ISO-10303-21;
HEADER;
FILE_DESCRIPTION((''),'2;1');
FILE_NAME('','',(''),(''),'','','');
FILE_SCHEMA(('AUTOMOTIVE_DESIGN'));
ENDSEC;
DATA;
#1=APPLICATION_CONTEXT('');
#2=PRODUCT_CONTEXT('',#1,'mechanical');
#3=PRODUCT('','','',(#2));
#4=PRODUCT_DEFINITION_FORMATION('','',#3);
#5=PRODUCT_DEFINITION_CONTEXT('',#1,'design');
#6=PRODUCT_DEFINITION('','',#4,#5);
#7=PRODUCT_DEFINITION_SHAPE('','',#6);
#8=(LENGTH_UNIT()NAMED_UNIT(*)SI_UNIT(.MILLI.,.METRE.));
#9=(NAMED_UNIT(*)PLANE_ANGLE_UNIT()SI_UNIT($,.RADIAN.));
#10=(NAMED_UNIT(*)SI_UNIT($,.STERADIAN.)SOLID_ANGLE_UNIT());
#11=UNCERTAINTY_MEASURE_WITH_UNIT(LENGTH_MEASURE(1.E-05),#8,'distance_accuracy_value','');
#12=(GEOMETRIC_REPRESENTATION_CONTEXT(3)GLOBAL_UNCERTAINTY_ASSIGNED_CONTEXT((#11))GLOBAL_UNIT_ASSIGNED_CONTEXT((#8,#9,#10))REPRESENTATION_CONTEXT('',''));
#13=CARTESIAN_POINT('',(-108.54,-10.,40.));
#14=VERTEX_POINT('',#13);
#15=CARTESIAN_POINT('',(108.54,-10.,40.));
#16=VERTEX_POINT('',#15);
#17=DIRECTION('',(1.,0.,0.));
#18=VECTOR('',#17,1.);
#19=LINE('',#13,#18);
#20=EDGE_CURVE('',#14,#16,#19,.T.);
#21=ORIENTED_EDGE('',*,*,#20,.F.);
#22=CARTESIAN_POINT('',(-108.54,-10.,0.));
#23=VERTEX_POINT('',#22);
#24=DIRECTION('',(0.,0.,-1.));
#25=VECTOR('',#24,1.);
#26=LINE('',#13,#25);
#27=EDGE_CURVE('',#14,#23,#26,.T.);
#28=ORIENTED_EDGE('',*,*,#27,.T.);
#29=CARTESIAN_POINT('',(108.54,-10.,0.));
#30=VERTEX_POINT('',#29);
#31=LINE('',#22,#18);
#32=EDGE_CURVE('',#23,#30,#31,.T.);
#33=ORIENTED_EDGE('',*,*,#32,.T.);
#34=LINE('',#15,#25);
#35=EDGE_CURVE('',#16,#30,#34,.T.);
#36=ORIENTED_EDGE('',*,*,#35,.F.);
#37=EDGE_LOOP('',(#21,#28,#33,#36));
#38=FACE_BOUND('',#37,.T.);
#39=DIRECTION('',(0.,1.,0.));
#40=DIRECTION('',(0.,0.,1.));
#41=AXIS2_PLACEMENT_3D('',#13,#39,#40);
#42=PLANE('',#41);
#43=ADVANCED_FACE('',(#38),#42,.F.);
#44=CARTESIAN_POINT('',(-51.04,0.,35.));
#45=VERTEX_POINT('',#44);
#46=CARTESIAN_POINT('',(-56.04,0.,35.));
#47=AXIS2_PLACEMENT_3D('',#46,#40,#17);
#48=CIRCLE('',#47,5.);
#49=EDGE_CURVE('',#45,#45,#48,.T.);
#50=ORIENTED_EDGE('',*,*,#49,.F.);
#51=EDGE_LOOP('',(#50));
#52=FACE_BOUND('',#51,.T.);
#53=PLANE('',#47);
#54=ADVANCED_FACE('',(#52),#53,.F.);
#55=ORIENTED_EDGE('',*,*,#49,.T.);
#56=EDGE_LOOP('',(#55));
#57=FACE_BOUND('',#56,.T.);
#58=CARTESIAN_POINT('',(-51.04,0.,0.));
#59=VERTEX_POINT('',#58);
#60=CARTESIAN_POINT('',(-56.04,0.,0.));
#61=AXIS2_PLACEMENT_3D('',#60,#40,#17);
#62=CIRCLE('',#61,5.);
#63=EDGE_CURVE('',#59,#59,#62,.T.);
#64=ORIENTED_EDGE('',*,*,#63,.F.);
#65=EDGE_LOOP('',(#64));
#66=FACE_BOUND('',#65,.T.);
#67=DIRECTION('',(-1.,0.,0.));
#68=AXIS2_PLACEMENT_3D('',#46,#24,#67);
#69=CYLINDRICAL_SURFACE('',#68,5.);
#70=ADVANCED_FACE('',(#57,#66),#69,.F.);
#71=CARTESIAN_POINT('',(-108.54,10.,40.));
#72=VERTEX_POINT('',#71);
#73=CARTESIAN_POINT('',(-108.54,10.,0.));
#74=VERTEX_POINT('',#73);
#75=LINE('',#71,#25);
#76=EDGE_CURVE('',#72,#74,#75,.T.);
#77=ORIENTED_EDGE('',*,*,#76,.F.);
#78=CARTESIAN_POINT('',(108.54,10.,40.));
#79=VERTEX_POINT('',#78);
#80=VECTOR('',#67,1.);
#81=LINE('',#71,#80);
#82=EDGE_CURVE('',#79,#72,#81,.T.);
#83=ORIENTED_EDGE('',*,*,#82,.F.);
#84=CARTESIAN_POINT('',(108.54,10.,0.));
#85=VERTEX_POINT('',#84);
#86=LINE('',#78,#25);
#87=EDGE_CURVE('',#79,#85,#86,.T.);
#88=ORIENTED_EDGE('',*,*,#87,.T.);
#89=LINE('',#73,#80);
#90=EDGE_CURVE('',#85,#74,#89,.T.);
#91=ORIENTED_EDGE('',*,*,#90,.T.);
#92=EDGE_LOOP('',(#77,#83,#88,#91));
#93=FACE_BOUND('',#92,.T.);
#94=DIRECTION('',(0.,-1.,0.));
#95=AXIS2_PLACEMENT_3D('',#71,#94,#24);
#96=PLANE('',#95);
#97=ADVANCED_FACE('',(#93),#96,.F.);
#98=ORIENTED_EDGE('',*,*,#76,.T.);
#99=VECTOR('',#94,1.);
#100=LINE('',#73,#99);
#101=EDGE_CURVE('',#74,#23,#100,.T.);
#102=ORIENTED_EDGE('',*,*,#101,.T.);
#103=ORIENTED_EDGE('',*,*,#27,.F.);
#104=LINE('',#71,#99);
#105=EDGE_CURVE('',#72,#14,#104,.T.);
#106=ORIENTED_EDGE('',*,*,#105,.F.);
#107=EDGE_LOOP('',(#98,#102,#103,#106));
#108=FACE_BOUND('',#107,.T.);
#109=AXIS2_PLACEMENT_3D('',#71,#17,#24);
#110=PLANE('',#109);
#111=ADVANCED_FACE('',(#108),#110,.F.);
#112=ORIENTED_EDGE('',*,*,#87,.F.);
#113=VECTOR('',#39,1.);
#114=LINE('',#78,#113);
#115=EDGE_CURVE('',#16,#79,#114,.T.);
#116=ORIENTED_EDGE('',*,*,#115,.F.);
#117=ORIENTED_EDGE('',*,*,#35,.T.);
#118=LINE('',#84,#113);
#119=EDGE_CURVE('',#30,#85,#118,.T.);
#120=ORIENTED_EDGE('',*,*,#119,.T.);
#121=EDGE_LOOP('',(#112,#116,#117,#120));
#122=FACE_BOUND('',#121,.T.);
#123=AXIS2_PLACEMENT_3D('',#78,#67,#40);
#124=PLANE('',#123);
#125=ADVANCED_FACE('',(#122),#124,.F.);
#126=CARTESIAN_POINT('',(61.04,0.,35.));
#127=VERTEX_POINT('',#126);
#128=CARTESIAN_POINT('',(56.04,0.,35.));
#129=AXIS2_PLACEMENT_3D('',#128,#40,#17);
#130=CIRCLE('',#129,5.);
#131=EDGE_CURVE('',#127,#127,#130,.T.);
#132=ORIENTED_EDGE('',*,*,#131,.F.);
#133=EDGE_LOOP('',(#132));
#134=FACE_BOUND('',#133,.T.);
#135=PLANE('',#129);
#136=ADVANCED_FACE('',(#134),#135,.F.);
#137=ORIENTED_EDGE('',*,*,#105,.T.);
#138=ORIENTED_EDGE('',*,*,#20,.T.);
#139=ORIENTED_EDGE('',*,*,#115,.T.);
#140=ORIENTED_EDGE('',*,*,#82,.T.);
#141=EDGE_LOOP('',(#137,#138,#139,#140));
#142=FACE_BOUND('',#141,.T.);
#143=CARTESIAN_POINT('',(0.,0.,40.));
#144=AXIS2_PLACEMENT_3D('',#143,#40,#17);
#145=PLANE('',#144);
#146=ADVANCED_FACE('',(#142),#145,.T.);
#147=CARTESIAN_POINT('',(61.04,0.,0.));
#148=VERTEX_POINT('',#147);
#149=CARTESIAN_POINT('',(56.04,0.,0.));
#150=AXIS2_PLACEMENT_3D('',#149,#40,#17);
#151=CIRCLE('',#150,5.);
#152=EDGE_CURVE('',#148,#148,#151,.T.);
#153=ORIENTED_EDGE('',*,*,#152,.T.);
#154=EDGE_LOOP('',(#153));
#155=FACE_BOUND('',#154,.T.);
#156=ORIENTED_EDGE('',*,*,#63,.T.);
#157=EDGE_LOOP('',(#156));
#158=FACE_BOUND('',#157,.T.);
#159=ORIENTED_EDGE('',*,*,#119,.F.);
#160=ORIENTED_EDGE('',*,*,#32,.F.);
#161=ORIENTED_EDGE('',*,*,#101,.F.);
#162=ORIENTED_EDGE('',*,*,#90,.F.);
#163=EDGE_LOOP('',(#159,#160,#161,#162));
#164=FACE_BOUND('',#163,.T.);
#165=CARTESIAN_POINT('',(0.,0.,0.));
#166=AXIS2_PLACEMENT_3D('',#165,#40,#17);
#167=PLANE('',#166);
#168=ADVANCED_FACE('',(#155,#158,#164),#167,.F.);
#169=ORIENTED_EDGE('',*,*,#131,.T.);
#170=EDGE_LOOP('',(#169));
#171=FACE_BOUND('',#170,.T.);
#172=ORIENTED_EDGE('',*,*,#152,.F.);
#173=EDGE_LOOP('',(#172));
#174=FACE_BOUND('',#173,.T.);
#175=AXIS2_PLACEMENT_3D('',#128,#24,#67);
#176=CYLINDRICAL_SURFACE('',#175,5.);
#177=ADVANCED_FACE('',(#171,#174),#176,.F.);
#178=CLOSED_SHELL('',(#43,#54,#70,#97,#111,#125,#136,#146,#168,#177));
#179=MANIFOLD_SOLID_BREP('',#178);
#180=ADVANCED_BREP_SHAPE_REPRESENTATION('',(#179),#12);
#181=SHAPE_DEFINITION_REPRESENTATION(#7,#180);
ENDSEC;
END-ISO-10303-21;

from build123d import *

# Parameters (mm, degrees)
SKETCH1_W           = 217.08
SKETCH1_H           = 20
BOSS_EXTRUDE1_DEPTH = 40
SKETCH2_R           = 5
CUT_EXTRUDE3_DEPTH  = 35


with BuildPart() as part:
    # Sketch1 → Boss-Extrude1 (new body)
    with BuildSketch(Plane.XY):
        Rectangle(SKETCH1_W, SKETCH1_H)
    extrude(amount=BOSS_EXTRUDE1_DEPTH)

    # Sketch2 → Cut-Extrude3 (cut)
    with BuildSketch(Plane.XY):
        with Locations((-56.04, 0)):
            Circle(SKETCH2_R)
        with Locations((56.04, 0)):
            Circle(SKETCH2_R)
    extrude(amount=CUT_EXTRUDE3_DEPTH, mode=Mode.SUBTRACT)


solid = part.part
